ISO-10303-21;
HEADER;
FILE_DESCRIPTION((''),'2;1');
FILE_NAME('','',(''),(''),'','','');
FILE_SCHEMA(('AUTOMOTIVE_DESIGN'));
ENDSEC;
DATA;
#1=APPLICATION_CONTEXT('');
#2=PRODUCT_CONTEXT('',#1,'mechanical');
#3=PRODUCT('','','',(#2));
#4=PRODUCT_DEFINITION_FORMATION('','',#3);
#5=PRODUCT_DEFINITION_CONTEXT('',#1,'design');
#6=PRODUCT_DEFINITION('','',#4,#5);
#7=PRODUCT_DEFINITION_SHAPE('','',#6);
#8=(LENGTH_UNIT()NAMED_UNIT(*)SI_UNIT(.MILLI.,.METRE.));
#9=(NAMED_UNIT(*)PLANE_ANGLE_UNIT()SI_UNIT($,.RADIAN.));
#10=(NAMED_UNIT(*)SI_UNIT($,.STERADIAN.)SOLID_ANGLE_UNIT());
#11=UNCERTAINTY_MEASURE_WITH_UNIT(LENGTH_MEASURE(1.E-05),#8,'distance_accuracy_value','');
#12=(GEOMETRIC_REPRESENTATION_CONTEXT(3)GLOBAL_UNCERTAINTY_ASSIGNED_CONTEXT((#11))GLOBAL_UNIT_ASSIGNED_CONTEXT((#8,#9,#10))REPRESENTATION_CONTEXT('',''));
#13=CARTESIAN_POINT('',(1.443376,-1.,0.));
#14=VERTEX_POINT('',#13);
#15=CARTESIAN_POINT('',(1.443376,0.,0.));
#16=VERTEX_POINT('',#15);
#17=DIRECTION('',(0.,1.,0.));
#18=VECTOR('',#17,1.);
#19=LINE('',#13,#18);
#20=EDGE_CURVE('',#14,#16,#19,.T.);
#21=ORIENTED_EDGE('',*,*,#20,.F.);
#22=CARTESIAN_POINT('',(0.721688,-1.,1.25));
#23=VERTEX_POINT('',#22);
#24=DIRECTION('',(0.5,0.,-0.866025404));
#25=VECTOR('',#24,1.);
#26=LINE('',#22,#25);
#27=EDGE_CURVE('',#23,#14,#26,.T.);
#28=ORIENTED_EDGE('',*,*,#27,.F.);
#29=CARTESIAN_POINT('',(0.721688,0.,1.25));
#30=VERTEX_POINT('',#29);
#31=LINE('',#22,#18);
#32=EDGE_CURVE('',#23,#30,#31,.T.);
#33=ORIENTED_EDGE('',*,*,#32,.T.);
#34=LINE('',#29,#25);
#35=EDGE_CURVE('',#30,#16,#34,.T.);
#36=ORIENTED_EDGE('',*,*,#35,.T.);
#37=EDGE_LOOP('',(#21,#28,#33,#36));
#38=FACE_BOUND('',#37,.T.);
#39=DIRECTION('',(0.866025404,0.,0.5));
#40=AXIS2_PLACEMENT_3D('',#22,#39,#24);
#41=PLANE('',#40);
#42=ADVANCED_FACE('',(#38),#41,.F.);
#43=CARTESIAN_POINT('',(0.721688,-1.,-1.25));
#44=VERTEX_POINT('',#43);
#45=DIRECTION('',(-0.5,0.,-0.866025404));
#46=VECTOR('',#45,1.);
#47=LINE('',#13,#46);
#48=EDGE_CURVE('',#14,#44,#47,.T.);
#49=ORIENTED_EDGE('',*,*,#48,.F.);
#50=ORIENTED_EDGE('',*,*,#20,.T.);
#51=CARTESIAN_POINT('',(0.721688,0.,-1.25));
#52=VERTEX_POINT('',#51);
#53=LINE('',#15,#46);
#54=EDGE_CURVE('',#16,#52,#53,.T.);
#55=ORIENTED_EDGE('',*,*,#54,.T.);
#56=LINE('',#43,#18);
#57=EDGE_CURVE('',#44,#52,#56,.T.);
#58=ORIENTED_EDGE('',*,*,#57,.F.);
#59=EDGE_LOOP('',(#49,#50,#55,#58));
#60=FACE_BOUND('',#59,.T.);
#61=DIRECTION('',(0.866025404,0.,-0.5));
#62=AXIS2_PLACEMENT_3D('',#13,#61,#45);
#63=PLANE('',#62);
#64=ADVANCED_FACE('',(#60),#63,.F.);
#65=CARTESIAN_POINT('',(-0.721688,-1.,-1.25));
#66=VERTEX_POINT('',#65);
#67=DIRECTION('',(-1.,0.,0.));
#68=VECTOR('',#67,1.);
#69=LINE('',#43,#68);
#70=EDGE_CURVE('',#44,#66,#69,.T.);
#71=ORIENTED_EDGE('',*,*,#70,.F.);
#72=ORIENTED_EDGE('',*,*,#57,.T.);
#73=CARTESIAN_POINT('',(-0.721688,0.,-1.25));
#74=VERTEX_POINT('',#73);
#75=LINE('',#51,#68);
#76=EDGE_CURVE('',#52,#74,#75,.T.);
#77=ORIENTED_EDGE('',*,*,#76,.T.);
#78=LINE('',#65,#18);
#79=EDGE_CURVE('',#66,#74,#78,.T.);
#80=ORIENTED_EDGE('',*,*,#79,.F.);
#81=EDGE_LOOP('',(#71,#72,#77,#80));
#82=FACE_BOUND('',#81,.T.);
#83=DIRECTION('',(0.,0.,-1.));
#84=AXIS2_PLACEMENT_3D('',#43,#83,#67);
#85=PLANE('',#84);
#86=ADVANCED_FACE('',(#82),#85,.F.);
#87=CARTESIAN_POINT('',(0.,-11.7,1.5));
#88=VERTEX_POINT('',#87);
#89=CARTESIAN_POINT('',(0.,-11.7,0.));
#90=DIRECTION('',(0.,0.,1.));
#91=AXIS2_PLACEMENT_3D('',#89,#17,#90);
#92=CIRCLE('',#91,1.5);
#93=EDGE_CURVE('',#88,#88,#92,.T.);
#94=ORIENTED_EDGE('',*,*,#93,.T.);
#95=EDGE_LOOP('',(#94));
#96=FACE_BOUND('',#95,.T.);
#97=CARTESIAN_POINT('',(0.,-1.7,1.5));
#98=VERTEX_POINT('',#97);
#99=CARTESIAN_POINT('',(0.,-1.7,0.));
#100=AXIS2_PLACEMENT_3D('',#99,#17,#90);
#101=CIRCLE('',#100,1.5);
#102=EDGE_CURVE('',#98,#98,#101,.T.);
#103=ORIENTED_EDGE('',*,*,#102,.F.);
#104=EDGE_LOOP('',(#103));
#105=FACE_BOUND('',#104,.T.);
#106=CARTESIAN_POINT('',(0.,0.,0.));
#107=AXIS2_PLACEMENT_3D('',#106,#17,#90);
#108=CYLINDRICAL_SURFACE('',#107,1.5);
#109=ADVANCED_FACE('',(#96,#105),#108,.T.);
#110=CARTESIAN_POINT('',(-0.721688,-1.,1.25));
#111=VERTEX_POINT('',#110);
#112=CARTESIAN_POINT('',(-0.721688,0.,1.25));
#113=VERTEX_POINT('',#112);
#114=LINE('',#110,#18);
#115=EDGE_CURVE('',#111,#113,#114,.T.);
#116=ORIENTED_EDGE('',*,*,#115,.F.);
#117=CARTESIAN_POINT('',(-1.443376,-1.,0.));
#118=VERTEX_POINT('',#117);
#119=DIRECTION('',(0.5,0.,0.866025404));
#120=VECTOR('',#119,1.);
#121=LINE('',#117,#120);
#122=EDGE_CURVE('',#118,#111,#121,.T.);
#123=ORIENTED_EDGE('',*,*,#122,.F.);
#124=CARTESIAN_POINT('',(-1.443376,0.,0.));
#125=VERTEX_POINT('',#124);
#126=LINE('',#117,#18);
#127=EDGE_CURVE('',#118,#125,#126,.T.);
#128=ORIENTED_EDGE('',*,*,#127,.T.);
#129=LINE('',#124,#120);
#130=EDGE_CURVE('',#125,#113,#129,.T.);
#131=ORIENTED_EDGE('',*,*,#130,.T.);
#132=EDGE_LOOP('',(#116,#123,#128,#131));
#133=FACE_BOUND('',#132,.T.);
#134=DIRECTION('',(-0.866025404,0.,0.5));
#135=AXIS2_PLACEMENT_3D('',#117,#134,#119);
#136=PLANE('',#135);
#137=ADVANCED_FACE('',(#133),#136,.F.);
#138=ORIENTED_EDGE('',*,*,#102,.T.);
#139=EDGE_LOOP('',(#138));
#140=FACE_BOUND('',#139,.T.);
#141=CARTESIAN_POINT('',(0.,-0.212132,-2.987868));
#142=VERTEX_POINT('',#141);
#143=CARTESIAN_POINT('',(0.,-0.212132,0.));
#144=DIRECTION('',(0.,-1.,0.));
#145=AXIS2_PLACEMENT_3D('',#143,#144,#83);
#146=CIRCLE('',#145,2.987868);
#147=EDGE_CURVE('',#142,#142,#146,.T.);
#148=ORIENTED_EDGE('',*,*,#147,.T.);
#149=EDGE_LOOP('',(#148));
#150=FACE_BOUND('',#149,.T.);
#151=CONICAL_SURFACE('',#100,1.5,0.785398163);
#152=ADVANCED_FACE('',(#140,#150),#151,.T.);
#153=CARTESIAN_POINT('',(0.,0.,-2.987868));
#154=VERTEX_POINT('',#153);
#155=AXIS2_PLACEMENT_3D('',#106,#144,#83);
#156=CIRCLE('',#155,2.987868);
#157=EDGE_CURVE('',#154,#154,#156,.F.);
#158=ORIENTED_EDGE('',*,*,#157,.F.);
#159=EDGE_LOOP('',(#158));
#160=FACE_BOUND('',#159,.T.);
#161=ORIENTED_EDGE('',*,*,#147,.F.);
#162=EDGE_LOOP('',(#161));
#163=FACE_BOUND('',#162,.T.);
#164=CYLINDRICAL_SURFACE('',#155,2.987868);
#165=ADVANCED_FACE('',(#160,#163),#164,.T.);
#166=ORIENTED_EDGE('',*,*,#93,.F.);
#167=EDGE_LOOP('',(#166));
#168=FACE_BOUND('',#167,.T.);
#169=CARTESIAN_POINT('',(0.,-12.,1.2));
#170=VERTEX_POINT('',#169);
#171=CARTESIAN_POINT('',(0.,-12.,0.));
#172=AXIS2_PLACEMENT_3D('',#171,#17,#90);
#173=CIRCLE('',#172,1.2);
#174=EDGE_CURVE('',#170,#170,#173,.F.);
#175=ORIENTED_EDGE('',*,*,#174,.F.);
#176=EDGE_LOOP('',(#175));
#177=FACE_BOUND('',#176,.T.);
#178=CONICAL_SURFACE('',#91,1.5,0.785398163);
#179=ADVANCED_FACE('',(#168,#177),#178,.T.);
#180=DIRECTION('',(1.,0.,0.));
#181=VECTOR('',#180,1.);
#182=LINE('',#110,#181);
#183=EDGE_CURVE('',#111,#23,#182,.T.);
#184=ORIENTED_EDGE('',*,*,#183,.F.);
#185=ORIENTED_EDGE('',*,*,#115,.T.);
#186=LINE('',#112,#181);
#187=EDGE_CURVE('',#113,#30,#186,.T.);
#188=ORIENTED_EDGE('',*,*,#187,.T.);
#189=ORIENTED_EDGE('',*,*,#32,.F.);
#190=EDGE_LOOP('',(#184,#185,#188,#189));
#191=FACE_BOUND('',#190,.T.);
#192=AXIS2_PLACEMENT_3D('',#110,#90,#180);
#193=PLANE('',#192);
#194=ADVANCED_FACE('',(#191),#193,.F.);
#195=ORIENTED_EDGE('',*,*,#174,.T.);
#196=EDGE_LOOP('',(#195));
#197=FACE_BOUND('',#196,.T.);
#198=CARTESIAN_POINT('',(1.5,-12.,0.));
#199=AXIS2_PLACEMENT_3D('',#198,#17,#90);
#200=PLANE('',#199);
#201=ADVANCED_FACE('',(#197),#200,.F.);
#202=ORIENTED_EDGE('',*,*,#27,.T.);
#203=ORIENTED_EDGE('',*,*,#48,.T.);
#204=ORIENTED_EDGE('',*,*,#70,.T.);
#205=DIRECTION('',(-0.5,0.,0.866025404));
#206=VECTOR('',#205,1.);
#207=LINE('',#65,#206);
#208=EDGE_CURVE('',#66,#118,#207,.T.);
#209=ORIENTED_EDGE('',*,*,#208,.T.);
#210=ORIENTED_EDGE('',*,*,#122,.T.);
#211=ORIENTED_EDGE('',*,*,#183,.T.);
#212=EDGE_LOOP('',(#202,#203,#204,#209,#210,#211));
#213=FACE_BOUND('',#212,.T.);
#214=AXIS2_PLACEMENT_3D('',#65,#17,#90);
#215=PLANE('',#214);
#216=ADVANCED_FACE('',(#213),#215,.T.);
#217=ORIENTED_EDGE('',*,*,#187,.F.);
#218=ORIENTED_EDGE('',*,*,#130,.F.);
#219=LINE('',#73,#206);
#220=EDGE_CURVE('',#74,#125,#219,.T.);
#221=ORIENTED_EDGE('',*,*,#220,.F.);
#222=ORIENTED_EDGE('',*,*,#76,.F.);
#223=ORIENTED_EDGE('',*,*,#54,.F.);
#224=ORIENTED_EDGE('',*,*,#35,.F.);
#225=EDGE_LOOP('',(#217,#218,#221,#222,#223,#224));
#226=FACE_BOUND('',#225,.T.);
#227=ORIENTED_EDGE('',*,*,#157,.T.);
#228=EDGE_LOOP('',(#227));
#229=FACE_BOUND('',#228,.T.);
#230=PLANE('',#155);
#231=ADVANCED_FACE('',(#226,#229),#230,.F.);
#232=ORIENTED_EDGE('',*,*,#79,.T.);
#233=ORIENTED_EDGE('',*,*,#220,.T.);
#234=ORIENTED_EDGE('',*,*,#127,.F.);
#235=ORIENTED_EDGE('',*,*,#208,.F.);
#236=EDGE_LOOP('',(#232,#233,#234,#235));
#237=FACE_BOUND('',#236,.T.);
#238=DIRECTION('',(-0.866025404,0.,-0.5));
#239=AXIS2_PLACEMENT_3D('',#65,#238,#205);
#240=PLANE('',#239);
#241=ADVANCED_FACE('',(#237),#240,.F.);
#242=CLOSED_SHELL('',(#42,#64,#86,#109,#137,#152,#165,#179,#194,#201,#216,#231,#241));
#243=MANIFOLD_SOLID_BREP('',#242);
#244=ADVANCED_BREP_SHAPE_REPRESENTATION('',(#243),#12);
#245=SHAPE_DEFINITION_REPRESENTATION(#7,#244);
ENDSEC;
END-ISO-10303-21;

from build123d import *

# Parameters (mm, degrees)
CHAFL_N2_SIZE         = 0.3
CHAFL_N2_SIZE2        = 0.212132034
CHAFL_N3_SIZE         = 0.3
CORTAR_EXTRUIR2_DEPTH = 1


with BuildPart() as part:
    # Croquis1 → Revolución1 (revolve)
    with BuildSketch(Plane.XY, mode=Mode.PRIVATE) as revoluci_n1_sk:
        Polygon((0, 0), (3.2, 0), (1.5, -1.7), (1.5, -12), (0, -12), align=None)
    revolve(revoluci_n1_sk.sketch.rotate(Axis((0, 0, 0), (0, -1, 0)), 90), axis=Axis((0, 0, 0), (0, -1, 0)))

    # Chaflán2
    chafl_n2_edges = [part.edges().sort_by_distance(p)[0] for p in [
        (0, 0, -3.2),
    ]]
    chafl_n2_side = [part.faces().sort_by_distance(p)[0] for p in [
        (0, -0.85, -2.35),
    ]]
    chamfer(chafl_n2_edges, length=CHAFL_N2_SIZE, length2=CHAFL_N2_SIZE2, reference=chafl_n2_side[0])

    # Chaflán3
    chafl_n3_edges = [part.edges().sort_by_distance(p)[0] for p in [
        (0, -12, -1.5),
    ]]
    chamfer(chafl_n3_edges, length=CHAFL_N3_SIZE)

    # Croquis3 → Cortar-Extruir2 (cut)
    with BuildSketch(Plane(origin=(0, 0, 0), x_dir=(1, 0, 0), z_dir=(0, 1, 0))):
        Polygon((-0.721687836, 1.25), (-1.443375673, 0), (-0.721687836, -1.25), (0.721687836, -1.25), (1.443375673, 0), (0.721687836, 1.25), align=None)
    extrude(amount=-CORTAR_EXTRUIR2_DEPTH, mode=Mode.SUBTRACT)


solid = part.part
